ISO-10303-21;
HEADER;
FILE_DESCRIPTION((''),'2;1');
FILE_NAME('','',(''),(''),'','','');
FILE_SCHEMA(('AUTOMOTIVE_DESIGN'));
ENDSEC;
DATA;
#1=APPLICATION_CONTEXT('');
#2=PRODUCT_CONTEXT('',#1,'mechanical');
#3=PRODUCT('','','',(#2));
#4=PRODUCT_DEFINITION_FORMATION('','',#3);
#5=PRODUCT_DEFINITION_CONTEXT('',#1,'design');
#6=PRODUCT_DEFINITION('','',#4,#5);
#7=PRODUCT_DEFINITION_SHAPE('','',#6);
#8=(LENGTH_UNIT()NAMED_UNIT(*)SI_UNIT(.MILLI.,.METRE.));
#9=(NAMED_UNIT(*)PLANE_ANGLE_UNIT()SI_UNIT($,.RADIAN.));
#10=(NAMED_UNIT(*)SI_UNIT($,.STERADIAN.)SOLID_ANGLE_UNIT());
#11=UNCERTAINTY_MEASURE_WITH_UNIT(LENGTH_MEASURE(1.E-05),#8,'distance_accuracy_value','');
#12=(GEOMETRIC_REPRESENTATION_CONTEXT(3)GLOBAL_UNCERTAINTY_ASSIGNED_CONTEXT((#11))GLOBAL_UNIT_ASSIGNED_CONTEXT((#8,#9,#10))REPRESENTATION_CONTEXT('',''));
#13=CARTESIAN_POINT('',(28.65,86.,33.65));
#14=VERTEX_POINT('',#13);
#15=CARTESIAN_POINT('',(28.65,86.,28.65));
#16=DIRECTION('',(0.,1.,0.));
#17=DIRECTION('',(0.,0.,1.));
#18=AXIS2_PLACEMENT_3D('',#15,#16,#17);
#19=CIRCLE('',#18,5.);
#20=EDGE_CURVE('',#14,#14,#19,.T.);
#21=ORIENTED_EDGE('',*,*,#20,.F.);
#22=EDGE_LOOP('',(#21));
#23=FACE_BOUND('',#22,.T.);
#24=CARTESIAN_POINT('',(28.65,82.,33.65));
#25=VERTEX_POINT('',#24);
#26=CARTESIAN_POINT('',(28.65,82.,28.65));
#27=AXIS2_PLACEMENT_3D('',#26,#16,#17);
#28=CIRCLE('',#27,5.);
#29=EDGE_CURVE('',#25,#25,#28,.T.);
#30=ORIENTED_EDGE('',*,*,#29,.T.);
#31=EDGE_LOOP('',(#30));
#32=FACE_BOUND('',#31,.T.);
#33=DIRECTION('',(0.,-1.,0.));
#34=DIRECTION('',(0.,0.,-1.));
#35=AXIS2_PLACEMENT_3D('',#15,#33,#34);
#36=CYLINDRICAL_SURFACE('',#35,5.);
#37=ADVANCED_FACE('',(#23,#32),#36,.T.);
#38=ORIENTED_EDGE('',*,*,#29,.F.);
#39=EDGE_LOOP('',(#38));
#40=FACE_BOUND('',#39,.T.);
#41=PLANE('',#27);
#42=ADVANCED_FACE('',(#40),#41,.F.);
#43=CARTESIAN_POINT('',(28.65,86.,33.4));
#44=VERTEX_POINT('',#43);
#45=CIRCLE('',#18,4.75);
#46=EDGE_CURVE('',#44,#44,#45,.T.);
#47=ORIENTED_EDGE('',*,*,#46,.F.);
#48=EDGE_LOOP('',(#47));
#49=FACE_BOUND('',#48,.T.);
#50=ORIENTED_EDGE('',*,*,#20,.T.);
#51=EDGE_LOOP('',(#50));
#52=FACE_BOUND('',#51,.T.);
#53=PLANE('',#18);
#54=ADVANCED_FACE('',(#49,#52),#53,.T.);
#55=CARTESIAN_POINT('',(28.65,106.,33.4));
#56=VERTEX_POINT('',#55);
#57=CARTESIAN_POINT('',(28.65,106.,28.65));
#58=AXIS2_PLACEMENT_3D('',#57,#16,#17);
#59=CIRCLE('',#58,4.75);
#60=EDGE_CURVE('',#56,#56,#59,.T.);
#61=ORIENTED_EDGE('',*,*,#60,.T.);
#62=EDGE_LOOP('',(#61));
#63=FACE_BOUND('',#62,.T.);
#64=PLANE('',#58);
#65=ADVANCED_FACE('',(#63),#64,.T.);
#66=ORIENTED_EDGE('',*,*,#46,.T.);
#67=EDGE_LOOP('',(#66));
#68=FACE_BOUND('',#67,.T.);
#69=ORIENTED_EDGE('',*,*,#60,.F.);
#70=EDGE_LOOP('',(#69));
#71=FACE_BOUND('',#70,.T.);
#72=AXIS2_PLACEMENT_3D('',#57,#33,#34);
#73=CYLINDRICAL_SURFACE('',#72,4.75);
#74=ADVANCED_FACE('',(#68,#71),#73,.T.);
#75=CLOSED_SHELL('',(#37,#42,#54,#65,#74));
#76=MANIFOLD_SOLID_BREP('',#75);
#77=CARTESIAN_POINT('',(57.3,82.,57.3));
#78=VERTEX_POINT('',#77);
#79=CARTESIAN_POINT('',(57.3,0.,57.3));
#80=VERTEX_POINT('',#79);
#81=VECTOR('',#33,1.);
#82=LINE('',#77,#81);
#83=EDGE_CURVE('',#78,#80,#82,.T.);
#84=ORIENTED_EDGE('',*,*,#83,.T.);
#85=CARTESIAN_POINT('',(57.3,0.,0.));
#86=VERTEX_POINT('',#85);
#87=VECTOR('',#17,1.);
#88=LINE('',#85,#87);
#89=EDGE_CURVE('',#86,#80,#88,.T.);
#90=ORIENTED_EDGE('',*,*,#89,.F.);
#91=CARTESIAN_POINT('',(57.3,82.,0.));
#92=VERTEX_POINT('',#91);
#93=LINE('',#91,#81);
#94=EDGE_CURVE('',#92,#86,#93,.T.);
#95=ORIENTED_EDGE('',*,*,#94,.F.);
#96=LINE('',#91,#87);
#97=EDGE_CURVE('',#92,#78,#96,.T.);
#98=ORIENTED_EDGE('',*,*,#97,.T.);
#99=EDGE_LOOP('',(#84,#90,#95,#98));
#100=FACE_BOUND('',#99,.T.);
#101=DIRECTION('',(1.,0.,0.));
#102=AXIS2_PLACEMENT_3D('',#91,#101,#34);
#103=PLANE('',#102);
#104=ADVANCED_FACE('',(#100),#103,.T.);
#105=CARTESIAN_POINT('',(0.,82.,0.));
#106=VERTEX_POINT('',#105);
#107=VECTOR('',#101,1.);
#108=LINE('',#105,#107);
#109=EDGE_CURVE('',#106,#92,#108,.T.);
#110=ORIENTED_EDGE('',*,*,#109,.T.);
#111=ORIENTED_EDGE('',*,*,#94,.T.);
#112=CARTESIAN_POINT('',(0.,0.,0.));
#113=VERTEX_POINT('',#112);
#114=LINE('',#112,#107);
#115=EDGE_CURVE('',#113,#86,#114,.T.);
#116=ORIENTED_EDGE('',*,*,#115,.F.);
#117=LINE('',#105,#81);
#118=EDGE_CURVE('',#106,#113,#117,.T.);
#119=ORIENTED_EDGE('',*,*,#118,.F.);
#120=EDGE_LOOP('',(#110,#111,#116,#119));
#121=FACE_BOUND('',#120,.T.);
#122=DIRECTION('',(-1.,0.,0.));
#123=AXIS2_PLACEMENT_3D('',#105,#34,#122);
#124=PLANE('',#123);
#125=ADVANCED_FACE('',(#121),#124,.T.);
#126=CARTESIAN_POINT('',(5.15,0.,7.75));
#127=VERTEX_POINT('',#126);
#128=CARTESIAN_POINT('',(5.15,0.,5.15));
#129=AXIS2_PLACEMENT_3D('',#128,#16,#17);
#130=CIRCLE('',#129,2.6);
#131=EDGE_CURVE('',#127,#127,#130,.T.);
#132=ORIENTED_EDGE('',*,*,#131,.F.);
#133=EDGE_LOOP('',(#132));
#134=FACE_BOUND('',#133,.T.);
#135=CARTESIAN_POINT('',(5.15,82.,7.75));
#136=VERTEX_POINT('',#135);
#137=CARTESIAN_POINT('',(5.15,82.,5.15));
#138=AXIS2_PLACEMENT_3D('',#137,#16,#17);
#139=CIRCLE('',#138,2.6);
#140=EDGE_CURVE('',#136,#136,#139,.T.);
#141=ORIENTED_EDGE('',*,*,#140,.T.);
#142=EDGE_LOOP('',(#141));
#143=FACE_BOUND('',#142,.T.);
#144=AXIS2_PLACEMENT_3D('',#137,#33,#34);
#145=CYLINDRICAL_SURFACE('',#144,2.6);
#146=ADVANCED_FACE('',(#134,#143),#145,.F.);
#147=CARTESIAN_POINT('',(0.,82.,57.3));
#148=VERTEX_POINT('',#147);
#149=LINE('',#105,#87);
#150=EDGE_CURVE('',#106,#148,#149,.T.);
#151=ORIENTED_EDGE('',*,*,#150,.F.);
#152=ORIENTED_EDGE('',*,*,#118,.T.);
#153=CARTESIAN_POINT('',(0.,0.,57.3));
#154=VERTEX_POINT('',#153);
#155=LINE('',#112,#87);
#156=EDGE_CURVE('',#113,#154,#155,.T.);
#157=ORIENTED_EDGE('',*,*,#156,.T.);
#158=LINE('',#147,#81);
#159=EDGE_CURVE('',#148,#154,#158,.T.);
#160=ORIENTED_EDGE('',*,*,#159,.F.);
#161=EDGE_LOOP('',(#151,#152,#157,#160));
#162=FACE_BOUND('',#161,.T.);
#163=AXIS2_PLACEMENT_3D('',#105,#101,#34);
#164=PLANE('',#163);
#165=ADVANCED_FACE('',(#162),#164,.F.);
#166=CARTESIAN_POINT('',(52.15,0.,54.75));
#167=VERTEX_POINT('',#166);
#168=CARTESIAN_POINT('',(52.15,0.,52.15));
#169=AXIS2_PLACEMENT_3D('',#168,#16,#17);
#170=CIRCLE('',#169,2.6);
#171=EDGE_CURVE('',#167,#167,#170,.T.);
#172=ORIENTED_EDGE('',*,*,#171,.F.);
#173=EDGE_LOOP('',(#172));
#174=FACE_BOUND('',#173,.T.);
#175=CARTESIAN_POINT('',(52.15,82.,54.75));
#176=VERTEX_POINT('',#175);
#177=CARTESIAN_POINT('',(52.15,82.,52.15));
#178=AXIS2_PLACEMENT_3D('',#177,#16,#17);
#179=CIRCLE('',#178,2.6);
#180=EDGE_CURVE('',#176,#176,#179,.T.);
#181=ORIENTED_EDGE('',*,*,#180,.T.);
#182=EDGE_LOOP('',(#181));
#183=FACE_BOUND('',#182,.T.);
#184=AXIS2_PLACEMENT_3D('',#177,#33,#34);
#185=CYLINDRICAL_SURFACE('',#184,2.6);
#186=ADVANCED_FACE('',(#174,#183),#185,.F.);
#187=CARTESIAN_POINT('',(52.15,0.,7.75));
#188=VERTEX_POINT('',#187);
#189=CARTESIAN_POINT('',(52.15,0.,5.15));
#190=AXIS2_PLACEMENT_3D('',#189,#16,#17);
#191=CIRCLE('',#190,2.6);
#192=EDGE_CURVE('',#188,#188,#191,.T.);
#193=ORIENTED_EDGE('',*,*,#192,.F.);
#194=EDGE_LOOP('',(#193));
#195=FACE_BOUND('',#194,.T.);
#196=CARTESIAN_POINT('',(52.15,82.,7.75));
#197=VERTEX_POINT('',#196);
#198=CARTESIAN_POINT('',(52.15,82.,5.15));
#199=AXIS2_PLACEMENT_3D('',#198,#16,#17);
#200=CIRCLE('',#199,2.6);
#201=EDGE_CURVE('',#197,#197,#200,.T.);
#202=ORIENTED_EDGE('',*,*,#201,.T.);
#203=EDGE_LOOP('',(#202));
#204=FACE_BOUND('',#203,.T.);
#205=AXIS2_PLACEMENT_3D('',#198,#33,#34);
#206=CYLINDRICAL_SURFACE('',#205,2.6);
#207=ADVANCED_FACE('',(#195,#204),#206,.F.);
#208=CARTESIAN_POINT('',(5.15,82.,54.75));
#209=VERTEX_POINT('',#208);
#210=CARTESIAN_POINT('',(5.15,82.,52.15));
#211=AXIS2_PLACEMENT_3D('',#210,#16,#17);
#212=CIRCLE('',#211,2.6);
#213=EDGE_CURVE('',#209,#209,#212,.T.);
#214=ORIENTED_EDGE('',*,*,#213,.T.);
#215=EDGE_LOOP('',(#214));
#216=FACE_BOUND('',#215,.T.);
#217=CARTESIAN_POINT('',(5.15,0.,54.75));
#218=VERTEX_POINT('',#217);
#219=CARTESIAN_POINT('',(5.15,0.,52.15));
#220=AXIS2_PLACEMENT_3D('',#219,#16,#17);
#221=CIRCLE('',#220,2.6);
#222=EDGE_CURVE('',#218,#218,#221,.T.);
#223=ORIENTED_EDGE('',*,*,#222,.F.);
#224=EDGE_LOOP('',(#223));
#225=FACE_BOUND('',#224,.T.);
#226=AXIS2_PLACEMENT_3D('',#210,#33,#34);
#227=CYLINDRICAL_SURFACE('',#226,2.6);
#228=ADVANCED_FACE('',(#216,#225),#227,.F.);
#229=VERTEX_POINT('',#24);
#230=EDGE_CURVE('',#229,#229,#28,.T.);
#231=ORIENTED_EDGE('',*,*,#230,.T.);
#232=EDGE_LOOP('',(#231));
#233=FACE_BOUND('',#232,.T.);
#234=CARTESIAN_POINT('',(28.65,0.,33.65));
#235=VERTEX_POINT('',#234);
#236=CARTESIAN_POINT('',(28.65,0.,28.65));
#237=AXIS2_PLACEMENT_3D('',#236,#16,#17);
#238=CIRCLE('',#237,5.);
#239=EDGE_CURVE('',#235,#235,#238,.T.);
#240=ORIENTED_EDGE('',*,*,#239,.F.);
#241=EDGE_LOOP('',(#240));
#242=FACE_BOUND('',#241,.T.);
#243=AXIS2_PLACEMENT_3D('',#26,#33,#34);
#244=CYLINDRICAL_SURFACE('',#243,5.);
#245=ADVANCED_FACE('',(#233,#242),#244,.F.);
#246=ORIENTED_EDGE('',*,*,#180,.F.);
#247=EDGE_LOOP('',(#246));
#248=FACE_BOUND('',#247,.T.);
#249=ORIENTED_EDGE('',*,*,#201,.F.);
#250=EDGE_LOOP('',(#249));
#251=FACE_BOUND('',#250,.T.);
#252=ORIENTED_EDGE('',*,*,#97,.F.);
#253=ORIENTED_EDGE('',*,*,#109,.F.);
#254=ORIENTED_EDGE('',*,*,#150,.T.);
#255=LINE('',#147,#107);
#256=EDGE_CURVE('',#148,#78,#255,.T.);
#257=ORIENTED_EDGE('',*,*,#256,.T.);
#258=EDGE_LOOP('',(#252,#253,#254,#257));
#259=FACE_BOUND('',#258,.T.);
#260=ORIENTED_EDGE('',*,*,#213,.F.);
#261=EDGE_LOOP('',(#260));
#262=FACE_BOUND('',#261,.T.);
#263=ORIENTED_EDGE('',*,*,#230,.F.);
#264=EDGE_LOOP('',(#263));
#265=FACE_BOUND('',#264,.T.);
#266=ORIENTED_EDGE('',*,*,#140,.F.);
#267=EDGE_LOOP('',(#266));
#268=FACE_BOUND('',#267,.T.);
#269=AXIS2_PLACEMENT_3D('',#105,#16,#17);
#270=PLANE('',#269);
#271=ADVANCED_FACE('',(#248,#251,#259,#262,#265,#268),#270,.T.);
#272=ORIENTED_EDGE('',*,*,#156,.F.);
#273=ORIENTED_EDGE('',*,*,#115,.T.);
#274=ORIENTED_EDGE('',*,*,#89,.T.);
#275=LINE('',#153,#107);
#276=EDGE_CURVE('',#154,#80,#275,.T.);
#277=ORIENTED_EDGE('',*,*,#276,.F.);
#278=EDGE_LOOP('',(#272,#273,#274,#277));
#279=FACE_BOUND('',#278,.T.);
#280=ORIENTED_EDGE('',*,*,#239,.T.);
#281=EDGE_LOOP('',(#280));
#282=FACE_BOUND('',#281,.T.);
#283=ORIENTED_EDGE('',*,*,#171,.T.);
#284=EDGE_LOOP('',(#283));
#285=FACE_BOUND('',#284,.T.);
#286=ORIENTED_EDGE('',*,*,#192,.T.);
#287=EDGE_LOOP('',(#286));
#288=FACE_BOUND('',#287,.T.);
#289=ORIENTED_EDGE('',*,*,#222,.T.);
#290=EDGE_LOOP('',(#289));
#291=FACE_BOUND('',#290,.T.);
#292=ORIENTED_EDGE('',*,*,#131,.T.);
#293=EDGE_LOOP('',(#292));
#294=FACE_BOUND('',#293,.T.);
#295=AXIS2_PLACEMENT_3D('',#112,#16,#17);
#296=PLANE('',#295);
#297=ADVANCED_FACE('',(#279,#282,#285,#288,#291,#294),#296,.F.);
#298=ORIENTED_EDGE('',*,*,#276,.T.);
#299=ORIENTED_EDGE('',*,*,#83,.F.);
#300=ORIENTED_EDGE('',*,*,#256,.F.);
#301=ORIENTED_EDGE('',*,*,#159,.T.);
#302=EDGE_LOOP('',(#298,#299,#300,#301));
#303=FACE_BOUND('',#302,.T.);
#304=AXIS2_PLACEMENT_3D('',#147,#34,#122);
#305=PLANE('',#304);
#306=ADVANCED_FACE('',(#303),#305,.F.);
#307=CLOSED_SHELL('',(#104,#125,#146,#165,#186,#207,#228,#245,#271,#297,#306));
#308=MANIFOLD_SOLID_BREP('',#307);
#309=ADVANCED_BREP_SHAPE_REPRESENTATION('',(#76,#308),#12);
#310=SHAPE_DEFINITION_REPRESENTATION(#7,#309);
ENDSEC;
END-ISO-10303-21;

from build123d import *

# Parameters (mm, degrees)
SKETCH1_W           = 57.3
SKETCH1_H           = 57.3
SKETCH1_R           = 5
SKETCH1_R_2         = 2.6
BOSS_EXTRUDE1_DEPTH = 82
BOSS_EXTRUDE2_START = 82
SKETCH1_4_R         = 5
SKETCH1_4_R_2       = 4.75
BOSS_EXTRUDE2_DEPTH = 4
BOSS_EXTRUDE3_START = 82
SKETCH1_5_R         = 4.75
BOSS_EXTRUDE3_DEPTH = 24


with BuildPart() as part:
    # Sketch1 → Boss-Extrude1 (new body)
    with BuildSketch(Plane(origin=(0, 0, 0), x_dir=(1, 0, 0), z_dir=(0, 1, 0))):
        with Locations((28.65, -28.65)):
            Rectangle(SKETCH1_W, SKETCH1_H)
        with Locations(Location((28.65, -28.65, 0), (0, 0, 270))):
            Circle(SKETCH1_R, mode=Mode.SUBTRACT)
        with Locations(Location((52.15, -52.15, 0), (0, 0, 270))):
            Circle(SKETCH1_R_2, mode=Mode.SUBTRACT)
        with Locations(Location((5.15, -52.15, 0), (0, 0, 270))):
            Circle(SKETCH1_R_2, mode=Mode.SUBTRACT)
        with Locations(Location((52.15, -5.15, 0), (0, 0, 270))):
            Circle(SKETCH1_R_2, mode=Mode.SUBTRACT)
        with Locations(Location((5.15, -5.15, 0), (0, 0, 270))):
            Circle(SKETCH1_R_2, mode=Mode.SUBTRACT)
    extrude(amount=BOSS_EXTRUDE1_DEPTH)


with BuildPart() as body_2:
    # Sketch1<4> → Boss-Extrude2 (new body)
    with BuildSketch(Plane(origin=(0, 0, 0), x_dir=(1, 0, 0), z_dir=(0, 1, 0)).offset(BOSS_EXTRUDE2_START)):
        with Locations(Location((28.65, -28.65, 0), (0, 0, 270))):
            Circle(SKETCH1_4_R)
        with Locations(Location((28.65, -28.65, 0), (0, 0, 270))):
            Circle(SKETCH1_4_R_2, mode=Mode.SUBTRACT)
    extrude(amount=BOSS_EXTRUDE2_DEPTH)

    # Sketch1<5> → Boss-Extrude3 (add)
    with BuildSketch(Plane(origin=(0, 0, 0), x_dir=(1, 0, 0), z_dir=(0, 1, 0)).offset(BOSS_EXTRUDE3_START)):
        with Locations(Location((28.65, -28.65, 0), (0, 0, 270))):
            Circle(SKETCH1_5_R)
    extrude(amount=BOSS_EXTRUDE3_DEPTH)


solid = Compound([part.part, body_2.part])
